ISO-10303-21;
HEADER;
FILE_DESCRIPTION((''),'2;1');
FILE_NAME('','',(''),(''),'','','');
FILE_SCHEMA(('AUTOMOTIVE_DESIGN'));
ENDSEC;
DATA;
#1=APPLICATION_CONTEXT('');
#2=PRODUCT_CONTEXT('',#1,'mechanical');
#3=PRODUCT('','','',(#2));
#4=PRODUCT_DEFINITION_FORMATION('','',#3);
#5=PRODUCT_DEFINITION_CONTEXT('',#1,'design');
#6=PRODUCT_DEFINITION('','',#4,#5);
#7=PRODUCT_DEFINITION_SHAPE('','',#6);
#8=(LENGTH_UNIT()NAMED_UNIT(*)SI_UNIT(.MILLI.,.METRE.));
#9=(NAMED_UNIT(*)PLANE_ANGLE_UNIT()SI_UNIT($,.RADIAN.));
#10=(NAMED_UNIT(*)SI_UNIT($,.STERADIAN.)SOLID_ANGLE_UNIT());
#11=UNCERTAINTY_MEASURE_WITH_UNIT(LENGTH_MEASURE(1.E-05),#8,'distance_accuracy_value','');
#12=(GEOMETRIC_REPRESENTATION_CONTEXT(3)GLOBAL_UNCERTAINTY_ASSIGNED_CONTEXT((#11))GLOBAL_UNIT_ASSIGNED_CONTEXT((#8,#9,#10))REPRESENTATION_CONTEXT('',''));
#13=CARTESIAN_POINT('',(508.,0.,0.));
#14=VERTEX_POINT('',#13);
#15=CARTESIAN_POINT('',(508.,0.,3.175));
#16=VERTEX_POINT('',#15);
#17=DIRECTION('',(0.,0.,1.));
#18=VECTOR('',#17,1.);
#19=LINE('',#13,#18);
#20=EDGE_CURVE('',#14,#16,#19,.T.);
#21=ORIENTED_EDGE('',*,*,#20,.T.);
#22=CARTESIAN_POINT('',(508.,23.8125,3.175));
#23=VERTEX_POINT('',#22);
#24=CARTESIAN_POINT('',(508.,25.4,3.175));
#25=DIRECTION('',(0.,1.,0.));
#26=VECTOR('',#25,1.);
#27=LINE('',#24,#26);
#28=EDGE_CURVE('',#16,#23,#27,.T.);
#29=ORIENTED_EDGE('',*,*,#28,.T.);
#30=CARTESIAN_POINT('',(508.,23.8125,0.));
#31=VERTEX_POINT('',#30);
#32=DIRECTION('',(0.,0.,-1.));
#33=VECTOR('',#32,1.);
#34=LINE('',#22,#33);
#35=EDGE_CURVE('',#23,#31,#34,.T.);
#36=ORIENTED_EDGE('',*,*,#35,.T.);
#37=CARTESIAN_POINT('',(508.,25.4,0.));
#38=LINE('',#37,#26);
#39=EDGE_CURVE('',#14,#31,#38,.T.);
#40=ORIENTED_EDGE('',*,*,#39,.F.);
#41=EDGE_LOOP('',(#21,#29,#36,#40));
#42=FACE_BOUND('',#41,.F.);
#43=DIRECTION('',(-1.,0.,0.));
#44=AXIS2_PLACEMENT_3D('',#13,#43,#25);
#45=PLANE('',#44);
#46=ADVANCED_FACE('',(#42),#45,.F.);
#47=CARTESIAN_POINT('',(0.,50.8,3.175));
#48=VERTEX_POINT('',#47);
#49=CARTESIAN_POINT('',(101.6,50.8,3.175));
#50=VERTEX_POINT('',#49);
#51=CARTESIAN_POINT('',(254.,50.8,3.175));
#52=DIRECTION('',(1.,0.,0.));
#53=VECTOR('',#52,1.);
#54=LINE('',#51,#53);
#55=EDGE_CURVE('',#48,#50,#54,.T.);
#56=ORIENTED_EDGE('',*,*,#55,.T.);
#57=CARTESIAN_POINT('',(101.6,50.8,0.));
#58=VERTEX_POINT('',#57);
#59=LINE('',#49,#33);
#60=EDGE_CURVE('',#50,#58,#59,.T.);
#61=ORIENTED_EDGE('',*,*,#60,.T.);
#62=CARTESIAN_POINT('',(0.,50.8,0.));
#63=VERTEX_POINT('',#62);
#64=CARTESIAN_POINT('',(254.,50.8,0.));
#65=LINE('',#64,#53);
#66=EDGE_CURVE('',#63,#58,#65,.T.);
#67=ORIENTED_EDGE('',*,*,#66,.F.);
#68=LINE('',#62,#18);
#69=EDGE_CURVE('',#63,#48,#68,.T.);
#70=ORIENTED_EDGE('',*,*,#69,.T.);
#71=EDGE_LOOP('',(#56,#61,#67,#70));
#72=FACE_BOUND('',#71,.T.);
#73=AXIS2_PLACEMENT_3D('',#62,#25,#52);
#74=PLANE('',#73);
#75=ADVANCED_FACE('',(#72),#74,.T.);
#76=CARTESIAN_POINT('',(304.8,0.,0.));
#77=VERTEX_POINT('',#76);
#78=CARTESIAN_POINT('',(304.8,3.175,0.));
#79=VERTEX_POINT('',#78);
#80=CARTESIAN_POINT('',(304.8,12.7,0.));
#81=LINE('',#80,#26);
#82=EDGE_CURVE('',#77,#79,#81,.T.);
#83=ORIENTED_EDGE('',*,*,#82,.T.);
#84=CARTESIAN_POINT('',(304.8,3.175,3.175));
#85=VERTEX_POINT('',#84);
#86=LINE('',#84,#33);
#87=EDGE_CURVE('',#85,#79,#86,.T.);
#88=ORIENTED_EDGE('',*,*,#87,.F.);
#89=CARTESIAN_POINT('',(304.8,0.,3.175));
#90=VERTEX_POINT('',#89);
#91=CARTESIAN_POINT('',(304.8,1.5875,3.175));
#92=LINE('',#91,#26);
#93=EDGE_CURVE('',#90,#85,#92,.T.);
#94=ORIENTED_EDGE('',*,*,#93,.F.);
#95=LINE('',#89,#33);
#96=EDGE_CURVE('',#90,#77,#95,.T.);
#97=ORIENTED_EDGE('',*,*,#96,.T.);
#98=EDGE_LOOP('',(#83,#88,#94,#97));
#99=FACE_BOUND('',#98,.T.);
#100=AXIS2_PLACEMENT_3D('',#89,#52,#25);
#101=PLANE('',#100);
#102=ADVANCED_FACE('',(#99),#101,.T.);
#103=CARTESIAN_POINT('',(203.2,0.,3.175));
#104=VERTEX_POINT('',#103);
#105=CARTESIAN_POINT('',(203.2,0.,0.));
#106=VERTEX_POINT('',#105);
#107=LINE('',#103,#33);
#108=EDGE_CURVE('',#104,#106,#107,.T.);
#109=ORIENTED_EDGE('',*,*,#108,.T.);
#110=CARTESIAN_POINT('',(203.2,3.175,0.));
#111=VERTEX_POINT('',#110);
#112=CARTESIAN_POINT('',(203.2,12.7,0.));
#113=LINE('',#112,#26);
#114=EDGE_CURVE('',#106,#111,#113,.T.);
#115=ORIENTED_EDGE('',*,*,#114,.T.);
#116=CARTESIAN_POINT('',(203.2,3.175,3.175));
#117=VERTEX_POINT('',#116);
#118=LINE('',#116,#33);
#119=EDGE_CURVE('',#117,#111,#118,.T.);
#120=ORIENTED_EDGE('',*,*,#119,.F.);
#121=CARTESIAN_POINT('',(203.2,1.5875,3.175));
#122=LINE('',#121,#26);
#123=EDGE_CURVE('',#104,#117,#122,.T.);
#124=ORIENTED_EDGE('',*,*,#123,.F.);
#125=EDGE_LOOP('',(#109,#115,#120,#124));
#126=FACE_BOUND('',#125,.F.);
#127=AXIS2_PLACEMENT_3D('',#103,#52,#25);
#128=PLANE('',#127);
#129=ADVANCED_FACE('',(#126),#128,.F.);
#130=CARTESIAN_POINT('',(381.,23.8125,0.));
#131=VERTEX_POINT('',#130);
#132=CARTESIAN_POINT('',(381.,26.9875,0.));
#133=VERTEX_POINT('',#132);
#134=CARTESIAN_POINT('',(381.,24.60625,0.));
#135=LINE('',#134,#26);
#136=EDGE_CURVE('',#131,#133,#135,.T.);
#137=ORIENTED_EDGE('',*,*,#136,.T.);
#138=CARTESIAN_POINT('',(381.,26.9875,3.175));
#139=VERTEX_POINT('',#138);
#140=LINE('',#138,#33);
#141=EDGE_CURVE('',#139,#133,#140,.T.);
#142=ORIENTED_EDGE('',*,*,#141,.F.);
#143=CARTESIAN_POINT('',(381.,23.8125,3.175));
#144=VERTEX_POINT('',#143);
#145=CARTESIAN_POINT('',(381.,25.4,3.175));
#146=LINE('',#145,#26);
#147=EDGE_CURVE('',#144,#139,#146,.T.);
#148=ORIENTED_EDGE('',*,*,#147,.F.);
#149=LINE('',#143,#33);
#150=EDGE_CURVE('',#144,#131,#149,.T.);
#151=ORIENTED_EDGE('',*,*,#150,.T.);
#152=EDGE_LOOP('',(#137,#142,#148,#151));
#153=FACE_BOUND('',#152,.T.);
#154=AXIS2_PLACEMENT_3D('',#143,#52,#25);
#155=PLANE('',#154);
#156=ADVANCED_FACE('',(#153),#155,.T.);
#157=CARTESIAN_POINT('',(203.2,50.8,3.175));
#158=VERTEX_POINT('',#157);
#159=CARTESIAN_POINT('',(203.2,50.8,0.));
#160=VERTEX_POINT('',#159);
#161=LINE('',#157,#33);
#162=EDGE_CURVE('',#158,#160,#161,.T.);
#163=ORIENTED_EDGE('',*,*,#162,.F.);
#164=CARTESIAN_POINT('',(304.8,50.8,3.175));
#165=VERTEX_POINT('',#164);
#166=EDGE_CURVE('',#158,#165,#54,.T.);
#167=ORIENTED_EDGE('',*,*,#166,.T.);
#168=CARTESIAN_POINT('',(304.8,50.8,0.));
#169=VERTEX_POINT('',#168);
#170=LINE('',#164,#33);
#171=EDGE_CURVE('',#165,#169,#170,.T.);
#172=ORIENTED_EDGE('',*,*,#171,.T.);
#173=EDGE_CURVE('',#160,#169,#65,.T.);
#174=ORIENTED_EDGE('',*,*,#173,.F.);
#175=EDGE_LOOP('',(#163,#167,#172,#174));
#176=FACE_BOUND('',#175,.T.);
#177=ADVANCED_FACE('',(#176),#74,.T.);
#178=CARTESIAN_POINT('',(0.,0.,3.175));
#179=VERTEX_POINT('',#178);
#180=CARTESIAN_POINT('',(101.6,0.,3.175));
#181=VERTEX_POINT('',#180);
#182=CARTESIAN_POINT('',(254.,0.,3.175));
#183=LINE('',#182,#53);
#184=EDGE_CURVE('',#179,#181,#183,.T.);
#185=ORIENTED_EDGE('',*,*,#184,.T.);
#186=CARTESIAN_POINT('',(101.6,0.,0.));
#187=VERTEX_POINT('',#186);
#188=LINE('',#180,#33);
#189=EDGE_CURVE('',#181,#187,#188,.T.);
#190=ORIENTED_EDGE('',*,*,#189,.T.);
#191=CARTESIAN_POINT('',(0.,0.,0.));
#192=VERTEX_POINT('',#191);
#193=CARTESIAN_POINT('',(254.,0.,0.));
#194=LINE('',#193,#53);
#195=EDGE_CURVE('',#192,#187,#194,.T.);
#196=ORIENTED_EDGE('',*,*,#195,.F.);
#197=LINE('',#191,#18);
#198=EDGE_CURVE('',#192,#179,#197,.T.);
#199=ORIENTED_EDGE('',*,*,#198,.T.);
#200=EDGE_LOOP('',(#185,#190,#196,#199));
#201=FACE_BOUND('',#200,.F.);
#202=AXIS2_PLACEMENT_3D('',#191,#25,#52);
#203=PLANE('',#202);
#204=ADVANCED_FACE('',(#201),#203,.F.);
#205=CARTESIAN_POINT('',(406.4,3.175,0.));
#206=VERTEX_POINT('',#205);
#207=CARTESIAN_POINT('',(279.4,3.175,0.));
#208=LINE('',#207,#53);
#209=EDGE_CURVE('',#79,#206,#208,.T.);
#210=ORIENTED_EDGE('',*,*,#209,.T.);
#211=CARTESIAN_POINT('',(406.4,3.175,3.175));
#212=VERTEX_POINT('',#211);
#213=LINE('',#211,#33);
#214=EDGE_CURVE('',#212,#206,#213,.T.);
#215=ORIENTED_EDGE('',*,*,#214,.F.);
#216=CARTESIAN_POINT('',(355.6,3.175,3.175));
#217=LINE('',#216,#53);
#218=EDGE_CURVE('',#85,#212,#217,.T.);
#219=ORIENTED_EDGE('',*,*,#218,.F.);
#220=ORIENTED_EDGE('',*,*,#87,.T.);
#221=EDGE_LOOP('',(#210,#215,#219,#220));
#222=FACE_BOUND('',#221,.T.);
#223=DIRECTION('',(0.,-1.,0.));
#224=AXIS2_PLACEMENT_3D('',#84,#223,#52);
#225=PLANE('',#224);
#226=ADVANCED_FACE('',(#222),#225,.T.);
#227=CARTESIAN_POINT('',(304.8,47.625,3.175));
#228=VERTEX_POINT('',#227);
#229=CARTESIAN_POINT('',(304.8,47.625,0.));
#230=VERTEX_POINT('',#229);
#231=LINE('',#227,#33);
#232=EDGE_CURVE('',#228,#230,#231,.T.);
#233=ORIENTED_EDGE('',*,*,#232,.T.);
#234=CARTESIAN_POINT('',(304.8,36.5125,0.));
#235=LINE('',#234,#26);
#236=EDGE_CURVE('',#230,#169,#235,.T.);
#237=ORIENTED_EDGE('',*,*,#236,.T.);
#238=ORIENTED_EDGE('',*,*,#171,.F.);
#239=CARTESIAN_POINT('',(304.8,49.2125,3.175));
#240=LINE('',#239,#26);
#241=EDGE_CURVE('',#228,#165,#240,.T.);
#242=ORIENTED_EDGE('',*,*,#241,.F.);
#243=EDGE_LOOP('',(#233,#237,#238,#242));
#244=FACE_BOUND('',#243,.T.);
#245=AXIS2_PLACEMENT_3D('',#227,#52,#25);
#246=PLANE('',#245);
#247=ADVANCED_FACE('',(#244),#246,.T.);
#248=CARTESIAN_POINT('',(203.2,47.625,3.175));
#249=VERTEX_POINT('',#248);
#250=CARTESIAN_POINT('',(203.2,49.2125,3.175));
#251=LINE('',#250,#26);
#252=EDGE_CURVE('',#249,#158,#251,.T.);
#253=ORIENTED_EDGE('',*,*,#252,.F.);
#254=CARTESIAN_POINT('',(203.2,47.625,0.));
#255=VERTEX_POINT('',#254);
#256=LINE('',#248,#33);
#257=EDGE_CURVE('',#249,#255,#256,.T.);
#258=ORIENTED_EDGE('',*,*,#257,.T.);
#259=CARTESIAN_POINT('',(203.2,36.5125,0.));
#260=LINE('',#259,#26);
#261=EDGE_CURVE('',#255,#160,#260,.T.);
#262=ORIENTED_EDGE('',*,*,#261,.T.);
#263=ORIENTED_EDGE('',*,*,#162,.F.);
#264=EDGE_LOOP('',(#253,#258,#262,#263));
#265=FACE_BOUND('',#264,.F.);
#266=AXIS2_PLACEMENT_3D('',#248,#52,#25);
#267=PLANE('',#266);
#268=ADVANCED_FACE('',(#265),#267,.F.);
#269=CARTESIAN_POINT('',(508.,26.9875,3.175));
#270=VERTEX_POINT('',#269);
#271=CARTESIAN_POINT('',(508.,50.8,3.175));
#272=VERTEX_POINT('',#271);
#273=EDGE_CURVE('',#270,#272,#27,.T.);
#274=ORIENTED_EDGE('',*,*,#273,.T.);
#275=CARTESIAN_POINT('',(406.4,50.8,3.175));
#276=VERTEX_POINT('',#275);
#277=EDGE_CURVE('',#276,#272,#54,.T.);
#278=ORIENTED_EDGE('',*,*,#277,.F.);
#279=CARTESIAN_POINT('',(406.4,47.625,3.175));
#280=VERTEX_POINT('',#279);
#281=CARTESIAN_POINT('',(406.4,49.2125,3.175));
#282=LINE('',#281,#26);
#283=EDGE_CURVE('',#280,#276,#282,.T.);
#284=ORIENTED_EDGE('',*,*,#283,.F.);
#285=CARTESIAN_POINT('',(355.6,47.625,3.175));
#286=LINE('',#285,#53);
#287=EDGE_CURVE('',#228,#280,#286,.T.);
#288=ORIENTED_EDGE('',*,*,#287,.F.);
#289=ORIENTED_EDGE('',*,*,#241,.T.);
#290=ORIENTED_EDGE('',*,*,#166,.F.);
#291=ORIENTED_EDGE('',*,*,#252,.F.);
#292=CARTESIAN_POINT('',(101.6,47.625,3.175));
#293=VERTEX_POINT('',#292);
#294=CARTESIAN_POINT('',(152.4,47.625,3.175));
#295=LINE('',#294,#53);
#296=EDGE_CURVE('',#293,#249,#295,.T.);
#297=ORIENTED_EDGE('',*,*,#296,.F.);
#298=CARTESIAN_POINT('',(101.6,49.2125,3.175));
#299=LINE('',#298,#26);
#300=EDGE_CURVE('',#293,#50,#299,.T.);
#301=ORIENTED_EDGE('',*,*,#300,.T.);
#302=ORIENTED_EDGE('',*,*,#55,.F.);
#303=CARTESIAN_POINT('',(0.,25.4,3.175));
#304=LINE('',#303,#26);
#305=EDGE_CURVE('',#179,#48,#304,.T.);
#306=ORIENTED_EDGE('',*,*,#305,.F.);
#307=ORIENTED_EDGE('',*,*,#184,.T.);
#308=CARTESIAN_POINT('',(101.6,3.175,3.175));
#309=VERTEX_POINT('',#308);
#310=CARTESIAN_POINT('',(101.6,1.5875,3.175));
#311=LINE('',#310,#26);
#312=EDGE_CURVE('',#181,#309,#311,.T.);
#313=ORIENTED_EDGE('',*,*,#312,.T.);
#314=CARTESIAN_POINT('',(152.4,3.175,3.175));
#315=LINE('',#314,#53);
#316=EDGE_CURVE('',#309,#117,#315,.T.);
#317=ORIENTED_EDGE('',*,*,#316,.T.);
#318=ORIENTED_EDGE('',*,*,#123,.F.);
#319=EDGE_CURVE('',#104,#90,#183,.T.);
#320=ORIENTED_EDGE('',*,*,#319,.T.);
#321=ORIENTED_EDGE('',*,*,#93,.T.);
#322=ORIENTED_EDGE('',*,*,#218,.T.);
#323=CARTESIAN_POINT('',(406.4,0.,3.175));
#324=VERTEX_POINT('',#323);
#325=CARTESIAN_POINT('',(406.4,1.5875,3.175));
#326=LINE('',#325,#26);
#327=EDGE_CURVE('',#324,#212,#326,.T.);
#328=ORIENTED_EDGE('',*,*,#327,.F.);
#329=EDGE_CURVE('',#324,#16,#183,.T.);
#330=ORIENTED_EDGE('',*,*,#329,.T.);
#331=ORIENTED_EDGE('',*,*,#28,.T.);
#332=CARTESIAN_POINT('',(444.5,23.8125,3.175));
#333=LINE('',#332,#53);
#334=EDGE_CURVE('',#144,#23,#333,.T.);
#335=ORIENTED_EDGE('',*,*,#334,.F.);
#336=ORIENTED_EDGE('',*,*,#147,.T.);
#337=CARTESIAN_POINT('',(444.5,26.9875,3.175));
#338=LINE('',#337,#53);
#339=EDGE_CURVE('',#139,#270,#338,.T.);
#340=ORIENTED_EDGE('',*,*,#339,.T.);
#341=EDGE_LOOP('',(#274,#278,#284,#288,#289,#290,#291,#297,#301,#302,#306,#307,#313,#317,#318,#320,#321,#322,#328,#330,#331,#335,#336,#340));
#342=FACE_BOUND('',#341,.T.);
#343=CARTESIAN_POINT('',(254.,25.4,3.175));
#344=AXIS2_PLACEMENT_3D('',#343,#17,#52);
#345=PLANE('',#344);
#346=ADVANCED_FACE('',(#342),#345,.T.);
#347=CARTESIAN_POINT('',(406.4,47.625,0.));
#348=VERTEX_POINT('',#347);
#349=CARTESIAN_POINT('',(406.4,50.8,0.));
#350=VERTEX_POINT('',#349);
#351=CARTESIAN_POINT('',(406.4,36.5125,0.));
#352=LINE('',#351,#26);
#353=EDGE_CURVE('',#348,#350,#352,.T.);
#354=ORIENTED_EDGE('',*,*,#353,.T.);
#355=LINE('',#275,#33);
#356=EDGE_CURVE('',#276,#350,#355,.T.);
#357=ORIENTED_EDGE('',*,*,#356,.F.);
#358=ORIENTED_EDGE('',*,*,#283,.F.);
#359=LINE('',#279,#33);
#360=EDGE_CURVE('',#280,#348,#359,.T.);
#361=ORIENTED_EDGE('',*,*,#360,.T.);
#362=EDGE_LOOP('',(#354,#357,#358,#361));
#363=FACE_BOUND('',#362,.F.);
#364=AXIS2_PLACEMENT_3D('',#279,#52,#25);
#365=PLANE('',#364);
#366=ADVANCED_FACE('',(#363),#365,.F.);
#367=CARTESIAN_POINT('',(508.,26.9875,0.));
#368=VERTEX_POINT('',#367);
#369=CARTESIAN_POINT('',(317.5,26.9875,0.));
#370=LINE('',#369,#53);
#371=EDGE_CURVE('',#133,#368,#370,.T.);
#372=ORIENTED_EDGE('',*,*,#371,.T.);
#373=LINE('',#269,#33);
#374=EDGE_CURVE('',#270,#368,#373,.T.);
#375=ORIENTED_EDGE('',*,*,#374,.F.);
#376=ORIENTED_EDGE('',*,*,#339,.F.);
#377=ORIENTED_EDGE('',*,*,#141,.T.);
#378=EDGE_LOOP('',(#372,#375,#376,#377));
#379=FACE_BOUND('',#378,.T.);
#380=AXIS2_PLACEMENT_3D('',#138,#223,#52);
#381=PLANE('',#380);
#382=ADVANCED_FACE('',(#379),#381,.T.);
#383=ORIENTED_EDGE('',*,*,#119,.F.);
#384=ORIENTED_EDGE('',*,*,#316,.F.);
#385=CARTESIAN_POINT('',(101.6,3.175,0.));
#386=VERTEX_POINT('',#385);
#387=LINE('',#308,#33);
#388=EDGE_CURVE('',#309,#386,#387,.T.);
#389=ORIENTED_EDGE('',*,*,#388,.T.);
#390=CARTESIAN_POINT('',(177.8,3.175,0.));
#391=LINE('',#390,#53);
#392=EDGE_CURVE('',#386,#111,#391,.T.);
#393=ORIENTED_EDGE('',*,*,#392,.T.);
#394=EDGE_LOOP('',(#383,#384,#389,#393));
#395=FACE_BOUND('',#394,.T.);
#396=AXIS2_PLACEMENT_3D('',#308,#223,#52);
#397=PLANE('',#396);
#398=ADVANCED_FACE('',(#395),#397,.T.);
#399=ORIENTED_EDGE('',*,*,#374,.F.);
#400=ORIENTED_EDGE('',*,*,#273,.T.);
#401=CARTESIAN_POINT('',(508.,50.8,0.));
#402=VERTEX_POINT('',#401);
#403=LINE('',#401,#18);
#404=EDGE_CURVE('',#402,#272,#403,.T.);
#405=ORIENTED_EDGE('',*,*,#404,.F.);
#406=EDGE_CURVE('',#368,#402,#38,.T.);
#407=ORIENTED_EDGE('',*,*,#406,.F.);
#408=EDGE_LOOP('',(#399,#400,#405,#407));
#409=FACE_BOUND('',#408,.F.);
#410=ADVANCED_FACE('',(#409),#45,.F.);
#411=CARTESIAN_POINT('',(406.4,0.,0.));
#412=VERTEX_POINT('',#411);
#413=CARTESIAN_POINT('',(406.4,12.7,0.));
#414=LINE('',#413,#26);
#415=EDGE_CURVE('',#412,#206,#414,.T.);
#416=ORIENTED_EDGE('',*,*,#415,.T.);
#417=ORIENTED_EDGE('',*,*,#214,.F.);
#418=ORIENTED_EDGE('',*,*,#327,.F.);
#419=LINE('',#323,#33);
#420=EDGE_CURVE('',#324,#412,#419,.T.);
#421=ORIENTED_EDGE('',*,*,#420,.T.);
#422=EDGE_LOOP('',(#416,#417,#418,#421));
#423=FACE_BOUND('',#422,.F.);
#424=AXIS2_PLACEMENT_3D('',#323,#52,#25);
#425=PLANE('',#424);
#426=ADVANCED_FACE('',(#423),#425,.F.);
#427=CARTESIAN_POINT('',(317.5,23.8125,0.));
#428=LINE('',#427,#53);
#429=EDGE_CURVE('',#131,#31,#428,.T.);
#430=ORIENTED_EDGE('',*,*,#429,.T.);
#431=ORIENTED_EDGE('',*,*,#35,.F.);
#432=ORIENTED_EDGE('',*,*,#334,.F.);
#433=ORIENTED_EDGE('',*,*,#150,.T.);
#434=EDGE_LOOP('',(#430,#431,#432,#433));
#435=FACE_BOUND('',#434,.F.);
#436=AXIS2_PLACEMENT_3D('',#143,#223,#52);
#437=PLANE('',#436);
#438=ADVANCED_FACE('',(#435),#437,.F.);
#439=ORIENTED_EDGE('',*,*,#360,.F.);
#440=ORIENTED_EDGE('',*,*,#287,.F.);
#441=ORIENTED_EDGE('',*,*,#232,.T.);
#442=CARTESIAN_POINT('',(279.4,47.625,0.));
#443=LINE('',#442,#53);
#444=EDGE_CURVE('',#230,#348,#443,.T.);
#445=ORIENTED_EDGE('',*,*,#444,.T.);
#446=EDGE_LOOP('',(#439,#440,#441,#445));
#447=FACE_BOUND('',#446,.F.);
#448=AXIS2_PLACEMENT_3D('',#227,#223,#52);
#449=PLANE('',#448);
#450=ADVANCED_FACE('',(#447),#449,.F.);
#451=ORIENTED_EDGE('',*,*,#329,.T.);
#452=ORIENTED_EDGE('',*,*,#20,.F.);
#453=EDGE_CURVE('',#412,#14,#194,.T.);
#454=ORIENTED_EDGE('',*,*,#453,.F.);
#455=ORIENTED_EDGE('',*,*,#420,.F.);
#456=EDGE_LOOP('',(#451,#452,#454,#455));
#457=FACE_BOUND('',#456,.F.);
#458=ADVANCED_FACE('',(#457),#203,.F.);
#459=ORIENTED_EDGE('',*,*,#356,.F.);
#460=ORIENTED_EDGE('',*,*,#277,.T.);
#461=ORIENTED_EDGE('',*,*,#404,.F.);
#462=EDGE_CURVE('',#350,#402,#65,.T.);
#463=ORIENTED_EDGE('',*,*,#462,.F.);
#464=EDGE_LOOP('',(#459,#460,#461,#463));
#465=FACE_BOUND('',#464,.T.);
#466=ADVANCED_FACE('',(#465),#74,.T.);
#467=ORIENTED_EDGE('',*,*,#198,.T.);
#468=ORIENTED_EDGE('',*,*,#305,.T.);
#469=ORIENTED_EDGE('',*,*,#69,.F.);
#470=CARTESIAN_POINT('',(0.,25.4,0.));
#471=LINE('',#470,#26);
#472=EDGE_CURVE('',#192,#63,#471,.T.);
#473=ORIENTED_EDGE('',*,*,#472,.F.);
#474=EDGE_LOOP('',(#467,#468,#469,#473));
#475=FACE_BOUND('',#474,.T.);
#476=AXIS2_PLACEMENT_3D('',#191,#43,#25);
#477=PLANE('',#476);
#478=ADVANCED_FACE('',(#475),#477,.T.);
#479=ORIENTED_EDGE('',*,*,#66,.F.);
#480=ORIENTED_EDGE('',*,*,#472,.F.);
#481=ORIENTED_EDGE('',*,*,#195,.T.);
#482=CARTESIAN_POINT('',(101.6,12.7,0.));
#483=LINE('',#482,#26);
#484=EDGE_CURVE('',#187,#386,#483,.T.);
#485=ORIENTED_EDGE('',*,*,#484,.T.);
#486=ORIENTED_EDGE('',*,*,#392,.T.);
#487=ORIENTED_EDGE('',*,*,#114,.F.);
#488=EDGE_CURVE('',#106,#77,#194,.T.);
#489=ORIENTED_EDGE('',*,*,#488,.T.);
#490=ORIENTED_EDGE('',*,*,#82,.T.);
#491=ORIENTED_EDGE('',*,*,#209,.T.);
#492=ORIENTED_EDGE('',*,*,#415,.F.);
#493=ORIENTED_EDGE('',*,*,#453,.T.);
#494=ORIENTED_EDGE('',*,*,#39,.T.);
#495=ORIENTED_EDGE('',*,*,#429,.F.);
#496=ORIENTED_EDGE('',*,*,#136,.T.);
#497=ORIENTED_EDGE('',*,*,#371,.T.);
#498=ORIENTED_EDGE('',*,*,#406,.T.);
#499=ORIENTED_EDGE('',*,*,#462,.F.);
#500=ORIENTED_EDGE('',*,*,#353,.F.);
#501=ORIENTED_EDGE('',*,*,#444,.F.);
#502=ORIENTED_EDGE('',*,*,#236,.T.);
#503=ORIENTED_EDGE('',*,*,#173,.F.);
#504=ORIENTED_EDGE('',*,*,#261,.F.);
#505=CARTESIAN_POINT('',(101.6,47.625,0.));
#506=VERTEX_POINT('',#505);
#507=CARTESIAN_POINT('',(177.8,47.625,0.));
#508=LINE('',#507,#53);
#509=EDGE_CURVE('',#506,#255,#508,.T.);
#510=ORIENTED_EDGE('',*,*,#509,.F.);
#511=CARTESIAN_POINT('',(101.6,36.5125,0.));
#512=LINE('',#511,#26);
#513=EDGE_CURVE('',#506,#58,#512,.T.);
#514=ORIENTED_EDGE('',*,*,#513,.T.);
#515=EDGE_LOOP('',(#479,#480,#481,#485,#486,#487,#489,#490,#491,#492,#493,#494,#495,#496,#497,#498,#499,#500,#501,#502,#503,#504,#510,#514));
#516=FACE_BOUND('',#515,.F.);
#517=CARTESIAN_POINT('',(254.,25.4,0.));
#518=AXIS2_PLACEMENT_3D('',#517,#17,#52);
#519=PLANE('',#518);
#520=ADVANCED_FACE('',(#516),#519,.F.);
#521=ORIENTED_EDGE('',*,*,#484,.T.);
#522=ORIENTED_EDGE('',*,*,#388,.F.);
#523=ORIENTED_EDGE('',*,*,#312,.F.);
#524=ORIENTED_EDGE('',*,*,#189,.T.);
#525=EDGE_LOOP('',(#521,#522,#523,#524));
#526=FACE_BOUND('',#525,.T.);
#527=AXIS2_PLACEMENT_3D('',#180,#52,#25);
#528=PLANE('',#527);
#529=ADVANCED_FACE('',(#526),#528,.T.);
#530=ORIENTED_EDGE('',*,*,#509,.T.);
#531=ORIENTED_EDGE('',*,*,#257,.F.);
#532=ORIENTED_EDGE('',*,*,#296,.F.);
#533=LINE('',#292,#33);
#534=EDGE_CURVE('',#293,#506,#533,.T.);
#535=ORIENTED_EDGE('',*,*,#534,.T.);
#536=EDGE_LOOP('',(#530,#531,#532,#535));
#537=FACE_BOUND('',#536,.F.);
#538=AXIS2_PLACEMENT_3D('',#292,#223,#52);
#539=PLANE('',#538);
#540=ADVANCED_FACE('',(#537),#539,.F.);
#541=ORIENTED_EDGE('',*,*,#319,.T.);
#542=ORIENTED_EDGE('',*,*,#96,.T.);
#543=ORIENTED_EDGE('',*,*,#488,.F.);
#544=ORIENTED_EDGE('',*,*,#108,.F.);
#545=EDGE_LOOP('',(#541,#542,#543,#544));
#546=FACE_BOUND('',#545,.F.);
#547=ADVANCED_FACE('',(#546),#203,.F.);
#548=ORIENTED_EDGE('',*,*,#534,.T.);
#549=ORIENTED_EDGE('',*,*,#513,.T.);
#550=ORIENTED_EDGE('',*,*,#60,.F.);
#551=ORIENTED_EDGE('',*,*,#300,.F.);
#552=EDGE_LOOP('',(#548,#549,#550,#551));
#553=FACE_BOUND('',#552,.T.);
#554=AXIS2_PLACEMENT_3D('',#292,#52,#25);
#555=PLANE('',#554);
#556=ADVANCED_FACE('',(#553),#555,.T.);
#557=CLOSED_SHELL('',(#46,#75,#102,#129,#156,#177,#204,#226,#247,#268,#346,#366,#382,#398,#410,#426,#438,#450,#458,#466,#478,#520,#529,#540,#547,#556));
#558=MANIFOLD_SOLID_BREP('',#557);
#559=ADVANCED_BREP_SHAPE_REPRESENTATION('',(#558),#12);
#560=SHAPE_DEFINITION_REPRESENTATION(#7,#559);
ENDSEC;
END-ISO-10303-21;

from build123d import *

# Parameters (mm, degrees)
F0_W     = 508
F0_H     = 50.8
F1_DEPTH = 3.175
F2_W     = 101.6
F2_H     = 3.175
F3_DEPTH = 25.4
F4_W     = 101.6
F4_H     = 3.175
F5_DEPTH = 25.4
F6_W     = 127
F6_H     = 3.175
F7_DEPTH = 25.4


with BuildPart() as f1:
    # F0 (on Top) → F1 (new body)
    with BuildSketch(Plane.XY):
        with Locations((254, 25.4)):
            Rectangle(F0_W, F0_H)
    extrude(amount=F1_DEPTH)

    # F2 (on face) → F3 (cut)
    with BuildSketch(Plane.XY.offset(3.175)):
        with Locations((152.4, 1.5875)):
            Rectangle(F2_W, F2_H)
        with Locations((355.6, 1.5875)):
            Rectangle(F2_W, F2_H)
    extrude(amount=-F3_DEPTH, mode=Mode.SUBTRACT)

    # F4 (on face) → F5 (cut)
    with BuildSketch(Plane.XY.offset(3.175)):
        with Locations((152.4, 49.2125)):
            Rectangle(F4_W, F4_H)
        with Locations((355.6, 49.2125)):
            Rectangle(F4_W, F4_H)
    extrude(amount=-F5_DEPTH, mode=Mode.SUBTRACT)

    # F6 (on face) → F7 (cut)
    with BuildSketch(Plane.XY.offset(3.175)):
        with Locations((444.5, 25.4)):
            Rectangle(F6_W, F6_H)
    extrude(amount=-F7_DEPTH, mode=Mode.SUBTRACT)


solid = f1.part
